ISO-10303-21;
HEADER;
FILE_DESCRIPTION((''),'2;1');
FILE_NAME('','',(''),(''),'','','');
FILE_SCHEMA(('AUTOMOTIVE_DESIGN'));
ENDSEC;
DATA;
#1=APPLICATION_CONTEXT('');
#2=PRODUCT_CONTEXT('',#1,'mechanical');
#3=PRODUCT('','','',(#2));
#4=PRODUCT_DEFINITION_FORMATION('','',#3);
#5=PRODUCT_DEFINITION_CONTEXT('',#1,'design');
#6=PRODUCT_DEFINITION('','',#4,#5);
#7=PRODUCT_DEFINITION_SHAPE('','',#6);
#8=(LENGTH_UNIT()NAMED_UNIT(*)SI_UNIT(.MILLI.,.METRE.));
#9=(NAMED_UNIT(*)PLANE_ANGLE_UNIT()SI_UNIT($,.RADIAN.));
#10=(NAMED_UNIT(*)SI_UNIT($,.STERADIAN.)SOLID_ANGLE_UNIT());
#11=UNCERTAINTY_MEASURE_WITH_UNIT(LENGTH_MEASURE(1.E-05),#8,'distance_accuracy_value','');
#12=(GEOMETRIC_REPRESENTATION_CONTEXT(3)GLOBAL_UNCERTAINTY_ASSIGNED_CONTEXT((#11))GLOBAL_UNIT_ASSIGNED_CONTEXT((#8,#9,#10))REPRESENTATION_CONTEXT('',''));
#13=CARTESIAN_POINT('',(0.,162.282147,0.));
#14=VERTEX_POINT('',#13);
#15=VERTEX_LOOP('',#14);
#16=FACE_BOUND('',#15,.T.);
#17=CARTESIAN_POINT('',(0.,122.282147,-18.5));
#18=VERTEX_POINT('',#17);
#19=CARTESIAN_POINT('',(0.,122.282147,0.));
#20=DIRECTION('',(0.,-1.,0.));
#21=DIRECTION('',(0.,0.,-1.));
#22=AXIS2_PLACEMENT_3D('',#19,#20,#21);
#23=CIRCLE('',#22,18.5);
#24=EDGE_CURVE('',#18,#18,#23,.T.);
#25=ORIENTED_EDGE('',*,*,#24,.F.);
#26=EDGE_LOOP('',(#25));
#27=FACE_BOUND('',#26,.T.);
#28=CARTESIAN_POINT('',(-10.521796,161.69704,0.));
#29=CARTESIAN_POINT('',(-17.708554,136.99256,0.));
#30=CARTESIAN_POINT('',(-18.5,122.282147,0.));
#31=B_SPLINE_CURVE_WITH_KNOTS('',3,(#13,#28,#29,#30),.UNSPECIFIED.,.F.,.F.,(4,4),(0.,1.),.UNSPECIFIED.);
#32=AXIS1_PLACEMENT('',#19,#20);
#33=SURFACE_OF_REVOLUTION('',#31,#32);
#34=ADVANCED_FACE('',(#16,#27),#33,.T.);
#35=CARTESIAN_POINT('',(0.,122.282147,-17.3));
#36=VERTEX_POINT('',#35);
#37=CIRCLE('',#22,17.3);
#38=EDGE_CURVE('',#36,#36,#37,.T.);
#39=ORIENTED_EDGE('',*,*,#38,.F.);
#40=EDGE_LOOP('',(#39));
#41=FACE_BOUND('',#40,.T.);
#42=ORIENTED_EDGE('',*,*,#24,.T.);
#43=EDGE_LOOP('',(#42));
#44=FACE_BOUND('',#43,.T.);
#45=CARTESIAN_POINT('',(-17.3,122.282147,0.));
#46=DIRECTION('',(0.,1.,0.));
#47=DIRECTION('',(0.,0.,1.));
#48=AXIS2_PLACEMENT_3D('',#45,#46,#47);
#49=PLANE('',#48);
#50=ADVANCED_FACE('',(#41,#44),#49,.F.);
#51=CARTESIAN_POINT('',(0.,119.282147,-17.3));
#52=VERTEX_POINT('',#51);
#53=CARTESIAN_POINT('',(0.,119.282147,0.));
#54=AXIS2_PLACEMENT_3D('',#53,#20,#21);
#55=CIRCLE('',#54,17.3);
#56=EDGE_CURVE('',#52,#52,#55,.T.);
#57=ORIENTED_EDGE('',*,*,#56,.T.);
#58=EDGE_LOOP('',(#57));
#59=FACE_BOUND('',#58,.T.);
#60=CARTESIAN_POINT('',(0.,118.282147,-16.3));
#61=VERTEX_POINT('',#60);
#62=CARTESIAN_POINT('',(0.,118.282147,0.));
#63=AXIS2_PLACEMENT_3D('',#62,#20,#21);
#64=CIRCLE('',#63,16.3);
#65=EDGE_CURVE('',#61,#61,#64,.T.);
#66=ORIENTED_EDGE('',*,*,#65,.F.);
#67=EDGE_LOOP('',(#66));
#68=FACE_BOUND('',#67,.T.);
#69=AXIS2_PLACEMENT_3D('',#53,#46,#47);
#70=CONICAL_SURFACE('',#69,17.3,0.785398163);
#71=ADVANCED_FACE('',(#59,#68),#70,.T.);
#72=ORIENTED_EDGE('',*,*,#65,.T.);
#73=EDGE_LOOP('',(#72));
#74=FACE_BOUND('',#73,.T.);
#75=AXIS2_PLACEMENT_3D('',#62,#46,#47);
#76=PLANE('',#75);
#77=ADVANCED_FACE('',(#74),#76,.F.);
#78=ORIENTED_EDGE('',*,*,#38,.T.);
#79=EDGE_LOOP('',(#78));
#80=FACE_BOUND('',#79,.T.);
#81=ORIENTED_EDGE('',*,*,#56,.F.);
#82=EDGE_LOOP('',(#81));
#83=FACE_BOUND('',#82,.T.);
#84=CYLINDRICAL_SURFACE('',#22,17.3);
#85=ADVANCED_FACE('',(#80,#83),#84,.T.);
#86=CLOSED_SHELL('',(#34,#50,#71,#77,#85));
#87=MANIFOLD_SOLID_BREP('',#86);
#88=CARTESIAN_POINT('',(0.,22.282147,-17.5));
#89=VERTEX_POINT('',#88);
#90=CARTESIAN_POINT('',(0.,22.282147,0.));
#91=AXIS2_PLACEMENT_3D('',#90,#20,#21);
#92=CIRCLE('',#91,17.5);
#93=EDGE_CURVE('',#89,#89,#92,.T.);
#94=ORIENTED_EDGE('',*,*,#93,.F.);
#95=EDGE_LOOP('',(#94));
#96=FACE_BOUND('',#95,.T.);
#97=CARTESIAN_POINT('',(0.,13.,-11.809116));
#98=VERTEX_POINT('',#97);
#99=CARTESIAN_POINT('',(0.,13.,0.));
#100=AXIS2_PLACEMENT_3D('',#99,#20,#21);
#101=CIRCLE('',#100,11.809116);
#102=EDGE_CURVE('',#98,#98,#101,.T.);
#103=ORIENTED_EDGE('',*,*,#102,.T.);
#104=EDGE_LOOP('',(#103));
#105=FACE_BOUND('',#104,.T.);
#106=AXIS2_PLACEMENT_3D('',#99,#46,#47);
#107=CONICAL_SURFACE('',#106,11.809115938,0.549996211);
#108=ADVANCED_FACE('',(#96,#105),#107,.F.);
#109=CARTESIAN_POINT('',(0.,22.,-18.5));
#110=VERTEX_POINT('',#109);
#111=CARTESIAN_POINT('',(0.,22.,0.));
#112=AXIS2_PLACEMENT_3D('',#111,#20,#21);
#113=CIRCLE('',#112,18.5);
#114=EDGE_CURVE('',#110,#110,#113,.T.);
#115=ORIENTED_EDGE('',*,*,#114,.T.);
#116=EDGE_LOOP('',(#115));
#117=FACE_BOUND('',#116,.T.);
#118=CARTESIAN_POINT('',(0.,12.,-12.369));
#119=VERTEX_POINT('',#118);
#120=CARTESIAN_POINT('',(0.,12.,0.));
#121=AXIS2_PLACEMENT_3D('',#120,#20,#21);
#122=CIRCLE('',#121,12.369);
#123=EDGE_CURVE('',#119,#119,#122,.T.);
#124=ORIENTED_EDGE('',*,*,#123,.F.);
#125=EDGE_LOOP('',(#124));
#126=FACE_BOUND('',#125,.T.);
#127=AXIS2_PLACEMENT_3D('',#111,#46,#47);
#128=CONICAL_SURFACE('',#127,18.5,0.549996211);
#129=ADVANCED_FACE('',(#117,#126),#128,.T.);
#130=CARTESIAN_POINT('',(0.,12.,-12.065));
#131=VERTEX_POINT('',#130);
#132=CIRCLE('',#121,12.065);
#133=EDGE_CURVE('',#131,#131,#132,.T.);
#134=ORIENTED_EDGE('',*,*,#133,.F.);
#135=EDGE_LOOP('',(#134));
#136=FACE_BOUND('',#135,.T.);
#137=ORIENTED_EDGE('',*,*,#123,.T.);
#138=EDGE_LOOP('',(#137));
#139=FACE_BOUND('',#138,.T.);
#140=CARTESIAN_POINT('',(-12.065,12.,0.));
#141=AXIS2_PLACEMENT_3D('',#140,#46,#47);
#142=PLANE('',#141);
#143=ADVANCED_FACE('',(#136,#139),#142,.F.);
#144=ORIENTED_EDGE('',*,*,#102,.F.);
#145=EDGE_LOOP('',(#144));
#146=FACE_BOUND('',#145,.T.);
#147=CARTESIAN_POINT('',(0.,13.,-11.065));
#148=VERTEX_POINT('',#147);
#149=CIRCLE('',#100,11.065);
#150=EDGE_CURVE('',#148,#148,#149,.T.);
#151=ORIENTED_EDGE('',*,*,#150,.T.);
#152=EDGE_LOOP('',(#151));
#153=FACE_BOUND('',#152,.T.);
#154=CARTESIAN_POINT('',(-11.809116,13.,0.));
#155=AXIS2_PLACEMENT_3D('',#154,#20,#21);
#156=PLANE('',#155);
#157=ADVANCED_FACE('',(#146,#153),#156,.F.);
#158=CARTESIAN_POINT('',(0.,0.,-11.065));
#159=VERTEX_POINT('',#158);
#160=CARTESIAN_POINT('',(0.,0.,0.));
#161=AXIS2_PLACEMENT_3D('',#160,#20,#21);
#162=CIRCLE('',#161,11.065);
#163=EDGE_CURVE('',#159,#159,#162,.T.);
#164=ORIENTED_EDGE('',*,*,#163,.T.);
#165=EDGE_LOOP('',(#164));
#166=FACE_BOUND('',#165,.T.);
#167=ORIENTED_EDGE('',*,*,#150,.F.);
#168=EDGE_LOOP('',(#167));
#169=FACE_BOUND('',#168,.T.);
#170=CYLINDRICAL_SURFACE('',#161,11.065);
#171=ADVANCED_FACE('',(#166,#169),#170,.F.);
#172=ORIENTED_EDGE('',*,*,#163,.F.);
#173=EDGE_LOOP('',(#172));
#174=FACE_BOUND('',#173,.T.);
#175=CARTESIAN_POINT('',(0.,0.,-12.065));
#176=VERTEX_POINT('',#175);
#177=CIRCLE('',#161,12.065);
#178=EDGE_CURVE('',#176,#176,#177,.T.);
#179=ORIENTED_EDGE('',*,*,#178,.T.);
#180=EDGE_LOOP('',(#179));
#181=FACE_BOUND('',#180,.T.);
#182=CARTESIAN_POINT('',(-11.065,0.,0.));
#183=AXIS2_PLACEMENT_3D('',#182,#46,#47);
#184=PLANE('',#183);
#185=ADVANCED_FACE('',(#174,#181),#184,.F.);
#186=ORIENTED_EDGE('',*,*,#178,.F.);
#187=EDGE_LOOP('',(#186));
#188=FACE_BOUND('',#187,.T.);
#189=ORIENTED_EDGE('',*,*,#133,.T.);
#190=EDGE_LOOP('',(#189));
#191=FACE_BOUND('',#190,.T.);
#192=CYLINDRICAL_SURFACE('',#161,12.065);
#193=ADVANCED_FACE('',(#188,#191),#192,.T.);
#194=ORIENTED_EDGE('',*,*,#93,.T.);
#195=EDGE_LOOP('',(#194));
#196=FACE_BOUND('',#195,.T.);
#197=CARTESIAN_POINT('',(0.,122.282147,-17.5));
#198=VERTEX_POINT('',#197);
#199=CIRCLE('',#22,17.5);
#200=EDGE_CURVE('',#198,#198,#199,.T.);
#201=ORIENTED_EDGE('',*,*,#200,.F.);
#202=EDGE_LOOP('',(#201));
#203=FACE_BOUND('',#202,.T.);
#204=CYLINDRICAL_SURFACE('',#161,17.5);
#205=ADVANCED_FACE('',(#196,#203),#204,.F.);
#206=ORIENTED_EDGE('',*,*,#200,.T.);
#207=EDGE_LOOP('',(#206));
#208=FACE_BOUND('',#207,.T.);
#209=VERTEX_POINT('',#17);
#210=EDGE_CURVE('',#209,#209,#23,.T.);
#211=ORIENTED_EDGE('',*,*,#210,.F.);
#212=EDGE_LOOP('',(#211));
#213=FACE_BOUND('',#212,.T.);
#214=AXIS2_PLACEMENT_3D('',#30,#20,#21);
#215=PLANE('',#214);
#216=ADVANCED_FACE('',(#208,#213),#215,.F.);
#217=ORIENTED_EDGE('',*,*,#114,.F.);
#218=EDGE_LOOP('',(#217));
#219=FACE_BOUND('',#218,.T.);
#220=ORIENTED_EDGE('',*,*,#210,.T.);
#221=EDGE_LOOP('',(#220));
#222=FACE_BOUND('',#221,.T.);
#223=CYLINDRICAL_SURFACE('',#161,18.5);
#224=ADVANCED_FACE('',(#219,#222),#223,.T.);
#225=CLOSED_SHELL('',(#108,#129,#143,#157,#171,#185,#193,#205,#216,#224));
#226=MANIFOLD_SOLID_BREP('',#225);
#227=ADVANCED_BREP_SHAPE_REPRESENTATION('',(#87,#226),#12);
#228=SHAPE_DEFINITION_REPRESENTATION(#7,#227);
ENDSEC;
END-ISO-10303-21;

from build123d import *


with BuildPart() as part:
    # Sketch1 → Revolve1 (revolve)
    with BuildSketch(Plane.XY, mode=Mode.PRIVATE) as revolve1_sk:
        Polygon((-12.065, 0), (-12.065, 12), (-12.369, 12), (-18.5, 22), (-18.5, 122.28214657), (-17.5, 122.28214657), (-17.5, 22.28214657), (-11.809115938, 13), (-11.065, 13), (-11.065, 0), align=None)
    revolve(revolve1_sk.sketch.rotate(Axis((0, 0, 0), (0, 1, 0)), 270), axis=Axis((0, 0, 0), (0, 1, 0)))


with BuildPart() as body_2:
    # Sketch2 → Revolve3 (revolve)
    with BuildSketch(Plane.XY, mode=Mode.PRIVATE) as revolve3_sk:
        with BuildLine():
            Line((0, 118.28214657), (-16.3, 118.28214657))
            Line((-16.3, 118.28214657), (-17.3, 119.28214657))
            Line((-17.3, 119.28214657), (-17.3, 122.28214657))
            Line((-17.3, 122.28214657), (-18.5, 122.28214657))
            add(Edge.make_bspline(
                [(-18.5, 122.28214657), (-17.708553729, 136.992560015), (-10.521795872, 161.697040148), (0, 162.28214657)],
                knots=[0, 0, 0, 0, 1, 1, 1, 1], degree=3))
            Line((0, 162.28214657), (0, 118.28214657))
        make_face()
    revolve(revolve3_sk.sketch.rotate(Axis((0, 122.28214657, 0), (0, 1, 0)), 270), axis=Axis((0, 122.28214657, 0), (0, 1, 0)))


solid = Compound([part.part, body_2.part])
